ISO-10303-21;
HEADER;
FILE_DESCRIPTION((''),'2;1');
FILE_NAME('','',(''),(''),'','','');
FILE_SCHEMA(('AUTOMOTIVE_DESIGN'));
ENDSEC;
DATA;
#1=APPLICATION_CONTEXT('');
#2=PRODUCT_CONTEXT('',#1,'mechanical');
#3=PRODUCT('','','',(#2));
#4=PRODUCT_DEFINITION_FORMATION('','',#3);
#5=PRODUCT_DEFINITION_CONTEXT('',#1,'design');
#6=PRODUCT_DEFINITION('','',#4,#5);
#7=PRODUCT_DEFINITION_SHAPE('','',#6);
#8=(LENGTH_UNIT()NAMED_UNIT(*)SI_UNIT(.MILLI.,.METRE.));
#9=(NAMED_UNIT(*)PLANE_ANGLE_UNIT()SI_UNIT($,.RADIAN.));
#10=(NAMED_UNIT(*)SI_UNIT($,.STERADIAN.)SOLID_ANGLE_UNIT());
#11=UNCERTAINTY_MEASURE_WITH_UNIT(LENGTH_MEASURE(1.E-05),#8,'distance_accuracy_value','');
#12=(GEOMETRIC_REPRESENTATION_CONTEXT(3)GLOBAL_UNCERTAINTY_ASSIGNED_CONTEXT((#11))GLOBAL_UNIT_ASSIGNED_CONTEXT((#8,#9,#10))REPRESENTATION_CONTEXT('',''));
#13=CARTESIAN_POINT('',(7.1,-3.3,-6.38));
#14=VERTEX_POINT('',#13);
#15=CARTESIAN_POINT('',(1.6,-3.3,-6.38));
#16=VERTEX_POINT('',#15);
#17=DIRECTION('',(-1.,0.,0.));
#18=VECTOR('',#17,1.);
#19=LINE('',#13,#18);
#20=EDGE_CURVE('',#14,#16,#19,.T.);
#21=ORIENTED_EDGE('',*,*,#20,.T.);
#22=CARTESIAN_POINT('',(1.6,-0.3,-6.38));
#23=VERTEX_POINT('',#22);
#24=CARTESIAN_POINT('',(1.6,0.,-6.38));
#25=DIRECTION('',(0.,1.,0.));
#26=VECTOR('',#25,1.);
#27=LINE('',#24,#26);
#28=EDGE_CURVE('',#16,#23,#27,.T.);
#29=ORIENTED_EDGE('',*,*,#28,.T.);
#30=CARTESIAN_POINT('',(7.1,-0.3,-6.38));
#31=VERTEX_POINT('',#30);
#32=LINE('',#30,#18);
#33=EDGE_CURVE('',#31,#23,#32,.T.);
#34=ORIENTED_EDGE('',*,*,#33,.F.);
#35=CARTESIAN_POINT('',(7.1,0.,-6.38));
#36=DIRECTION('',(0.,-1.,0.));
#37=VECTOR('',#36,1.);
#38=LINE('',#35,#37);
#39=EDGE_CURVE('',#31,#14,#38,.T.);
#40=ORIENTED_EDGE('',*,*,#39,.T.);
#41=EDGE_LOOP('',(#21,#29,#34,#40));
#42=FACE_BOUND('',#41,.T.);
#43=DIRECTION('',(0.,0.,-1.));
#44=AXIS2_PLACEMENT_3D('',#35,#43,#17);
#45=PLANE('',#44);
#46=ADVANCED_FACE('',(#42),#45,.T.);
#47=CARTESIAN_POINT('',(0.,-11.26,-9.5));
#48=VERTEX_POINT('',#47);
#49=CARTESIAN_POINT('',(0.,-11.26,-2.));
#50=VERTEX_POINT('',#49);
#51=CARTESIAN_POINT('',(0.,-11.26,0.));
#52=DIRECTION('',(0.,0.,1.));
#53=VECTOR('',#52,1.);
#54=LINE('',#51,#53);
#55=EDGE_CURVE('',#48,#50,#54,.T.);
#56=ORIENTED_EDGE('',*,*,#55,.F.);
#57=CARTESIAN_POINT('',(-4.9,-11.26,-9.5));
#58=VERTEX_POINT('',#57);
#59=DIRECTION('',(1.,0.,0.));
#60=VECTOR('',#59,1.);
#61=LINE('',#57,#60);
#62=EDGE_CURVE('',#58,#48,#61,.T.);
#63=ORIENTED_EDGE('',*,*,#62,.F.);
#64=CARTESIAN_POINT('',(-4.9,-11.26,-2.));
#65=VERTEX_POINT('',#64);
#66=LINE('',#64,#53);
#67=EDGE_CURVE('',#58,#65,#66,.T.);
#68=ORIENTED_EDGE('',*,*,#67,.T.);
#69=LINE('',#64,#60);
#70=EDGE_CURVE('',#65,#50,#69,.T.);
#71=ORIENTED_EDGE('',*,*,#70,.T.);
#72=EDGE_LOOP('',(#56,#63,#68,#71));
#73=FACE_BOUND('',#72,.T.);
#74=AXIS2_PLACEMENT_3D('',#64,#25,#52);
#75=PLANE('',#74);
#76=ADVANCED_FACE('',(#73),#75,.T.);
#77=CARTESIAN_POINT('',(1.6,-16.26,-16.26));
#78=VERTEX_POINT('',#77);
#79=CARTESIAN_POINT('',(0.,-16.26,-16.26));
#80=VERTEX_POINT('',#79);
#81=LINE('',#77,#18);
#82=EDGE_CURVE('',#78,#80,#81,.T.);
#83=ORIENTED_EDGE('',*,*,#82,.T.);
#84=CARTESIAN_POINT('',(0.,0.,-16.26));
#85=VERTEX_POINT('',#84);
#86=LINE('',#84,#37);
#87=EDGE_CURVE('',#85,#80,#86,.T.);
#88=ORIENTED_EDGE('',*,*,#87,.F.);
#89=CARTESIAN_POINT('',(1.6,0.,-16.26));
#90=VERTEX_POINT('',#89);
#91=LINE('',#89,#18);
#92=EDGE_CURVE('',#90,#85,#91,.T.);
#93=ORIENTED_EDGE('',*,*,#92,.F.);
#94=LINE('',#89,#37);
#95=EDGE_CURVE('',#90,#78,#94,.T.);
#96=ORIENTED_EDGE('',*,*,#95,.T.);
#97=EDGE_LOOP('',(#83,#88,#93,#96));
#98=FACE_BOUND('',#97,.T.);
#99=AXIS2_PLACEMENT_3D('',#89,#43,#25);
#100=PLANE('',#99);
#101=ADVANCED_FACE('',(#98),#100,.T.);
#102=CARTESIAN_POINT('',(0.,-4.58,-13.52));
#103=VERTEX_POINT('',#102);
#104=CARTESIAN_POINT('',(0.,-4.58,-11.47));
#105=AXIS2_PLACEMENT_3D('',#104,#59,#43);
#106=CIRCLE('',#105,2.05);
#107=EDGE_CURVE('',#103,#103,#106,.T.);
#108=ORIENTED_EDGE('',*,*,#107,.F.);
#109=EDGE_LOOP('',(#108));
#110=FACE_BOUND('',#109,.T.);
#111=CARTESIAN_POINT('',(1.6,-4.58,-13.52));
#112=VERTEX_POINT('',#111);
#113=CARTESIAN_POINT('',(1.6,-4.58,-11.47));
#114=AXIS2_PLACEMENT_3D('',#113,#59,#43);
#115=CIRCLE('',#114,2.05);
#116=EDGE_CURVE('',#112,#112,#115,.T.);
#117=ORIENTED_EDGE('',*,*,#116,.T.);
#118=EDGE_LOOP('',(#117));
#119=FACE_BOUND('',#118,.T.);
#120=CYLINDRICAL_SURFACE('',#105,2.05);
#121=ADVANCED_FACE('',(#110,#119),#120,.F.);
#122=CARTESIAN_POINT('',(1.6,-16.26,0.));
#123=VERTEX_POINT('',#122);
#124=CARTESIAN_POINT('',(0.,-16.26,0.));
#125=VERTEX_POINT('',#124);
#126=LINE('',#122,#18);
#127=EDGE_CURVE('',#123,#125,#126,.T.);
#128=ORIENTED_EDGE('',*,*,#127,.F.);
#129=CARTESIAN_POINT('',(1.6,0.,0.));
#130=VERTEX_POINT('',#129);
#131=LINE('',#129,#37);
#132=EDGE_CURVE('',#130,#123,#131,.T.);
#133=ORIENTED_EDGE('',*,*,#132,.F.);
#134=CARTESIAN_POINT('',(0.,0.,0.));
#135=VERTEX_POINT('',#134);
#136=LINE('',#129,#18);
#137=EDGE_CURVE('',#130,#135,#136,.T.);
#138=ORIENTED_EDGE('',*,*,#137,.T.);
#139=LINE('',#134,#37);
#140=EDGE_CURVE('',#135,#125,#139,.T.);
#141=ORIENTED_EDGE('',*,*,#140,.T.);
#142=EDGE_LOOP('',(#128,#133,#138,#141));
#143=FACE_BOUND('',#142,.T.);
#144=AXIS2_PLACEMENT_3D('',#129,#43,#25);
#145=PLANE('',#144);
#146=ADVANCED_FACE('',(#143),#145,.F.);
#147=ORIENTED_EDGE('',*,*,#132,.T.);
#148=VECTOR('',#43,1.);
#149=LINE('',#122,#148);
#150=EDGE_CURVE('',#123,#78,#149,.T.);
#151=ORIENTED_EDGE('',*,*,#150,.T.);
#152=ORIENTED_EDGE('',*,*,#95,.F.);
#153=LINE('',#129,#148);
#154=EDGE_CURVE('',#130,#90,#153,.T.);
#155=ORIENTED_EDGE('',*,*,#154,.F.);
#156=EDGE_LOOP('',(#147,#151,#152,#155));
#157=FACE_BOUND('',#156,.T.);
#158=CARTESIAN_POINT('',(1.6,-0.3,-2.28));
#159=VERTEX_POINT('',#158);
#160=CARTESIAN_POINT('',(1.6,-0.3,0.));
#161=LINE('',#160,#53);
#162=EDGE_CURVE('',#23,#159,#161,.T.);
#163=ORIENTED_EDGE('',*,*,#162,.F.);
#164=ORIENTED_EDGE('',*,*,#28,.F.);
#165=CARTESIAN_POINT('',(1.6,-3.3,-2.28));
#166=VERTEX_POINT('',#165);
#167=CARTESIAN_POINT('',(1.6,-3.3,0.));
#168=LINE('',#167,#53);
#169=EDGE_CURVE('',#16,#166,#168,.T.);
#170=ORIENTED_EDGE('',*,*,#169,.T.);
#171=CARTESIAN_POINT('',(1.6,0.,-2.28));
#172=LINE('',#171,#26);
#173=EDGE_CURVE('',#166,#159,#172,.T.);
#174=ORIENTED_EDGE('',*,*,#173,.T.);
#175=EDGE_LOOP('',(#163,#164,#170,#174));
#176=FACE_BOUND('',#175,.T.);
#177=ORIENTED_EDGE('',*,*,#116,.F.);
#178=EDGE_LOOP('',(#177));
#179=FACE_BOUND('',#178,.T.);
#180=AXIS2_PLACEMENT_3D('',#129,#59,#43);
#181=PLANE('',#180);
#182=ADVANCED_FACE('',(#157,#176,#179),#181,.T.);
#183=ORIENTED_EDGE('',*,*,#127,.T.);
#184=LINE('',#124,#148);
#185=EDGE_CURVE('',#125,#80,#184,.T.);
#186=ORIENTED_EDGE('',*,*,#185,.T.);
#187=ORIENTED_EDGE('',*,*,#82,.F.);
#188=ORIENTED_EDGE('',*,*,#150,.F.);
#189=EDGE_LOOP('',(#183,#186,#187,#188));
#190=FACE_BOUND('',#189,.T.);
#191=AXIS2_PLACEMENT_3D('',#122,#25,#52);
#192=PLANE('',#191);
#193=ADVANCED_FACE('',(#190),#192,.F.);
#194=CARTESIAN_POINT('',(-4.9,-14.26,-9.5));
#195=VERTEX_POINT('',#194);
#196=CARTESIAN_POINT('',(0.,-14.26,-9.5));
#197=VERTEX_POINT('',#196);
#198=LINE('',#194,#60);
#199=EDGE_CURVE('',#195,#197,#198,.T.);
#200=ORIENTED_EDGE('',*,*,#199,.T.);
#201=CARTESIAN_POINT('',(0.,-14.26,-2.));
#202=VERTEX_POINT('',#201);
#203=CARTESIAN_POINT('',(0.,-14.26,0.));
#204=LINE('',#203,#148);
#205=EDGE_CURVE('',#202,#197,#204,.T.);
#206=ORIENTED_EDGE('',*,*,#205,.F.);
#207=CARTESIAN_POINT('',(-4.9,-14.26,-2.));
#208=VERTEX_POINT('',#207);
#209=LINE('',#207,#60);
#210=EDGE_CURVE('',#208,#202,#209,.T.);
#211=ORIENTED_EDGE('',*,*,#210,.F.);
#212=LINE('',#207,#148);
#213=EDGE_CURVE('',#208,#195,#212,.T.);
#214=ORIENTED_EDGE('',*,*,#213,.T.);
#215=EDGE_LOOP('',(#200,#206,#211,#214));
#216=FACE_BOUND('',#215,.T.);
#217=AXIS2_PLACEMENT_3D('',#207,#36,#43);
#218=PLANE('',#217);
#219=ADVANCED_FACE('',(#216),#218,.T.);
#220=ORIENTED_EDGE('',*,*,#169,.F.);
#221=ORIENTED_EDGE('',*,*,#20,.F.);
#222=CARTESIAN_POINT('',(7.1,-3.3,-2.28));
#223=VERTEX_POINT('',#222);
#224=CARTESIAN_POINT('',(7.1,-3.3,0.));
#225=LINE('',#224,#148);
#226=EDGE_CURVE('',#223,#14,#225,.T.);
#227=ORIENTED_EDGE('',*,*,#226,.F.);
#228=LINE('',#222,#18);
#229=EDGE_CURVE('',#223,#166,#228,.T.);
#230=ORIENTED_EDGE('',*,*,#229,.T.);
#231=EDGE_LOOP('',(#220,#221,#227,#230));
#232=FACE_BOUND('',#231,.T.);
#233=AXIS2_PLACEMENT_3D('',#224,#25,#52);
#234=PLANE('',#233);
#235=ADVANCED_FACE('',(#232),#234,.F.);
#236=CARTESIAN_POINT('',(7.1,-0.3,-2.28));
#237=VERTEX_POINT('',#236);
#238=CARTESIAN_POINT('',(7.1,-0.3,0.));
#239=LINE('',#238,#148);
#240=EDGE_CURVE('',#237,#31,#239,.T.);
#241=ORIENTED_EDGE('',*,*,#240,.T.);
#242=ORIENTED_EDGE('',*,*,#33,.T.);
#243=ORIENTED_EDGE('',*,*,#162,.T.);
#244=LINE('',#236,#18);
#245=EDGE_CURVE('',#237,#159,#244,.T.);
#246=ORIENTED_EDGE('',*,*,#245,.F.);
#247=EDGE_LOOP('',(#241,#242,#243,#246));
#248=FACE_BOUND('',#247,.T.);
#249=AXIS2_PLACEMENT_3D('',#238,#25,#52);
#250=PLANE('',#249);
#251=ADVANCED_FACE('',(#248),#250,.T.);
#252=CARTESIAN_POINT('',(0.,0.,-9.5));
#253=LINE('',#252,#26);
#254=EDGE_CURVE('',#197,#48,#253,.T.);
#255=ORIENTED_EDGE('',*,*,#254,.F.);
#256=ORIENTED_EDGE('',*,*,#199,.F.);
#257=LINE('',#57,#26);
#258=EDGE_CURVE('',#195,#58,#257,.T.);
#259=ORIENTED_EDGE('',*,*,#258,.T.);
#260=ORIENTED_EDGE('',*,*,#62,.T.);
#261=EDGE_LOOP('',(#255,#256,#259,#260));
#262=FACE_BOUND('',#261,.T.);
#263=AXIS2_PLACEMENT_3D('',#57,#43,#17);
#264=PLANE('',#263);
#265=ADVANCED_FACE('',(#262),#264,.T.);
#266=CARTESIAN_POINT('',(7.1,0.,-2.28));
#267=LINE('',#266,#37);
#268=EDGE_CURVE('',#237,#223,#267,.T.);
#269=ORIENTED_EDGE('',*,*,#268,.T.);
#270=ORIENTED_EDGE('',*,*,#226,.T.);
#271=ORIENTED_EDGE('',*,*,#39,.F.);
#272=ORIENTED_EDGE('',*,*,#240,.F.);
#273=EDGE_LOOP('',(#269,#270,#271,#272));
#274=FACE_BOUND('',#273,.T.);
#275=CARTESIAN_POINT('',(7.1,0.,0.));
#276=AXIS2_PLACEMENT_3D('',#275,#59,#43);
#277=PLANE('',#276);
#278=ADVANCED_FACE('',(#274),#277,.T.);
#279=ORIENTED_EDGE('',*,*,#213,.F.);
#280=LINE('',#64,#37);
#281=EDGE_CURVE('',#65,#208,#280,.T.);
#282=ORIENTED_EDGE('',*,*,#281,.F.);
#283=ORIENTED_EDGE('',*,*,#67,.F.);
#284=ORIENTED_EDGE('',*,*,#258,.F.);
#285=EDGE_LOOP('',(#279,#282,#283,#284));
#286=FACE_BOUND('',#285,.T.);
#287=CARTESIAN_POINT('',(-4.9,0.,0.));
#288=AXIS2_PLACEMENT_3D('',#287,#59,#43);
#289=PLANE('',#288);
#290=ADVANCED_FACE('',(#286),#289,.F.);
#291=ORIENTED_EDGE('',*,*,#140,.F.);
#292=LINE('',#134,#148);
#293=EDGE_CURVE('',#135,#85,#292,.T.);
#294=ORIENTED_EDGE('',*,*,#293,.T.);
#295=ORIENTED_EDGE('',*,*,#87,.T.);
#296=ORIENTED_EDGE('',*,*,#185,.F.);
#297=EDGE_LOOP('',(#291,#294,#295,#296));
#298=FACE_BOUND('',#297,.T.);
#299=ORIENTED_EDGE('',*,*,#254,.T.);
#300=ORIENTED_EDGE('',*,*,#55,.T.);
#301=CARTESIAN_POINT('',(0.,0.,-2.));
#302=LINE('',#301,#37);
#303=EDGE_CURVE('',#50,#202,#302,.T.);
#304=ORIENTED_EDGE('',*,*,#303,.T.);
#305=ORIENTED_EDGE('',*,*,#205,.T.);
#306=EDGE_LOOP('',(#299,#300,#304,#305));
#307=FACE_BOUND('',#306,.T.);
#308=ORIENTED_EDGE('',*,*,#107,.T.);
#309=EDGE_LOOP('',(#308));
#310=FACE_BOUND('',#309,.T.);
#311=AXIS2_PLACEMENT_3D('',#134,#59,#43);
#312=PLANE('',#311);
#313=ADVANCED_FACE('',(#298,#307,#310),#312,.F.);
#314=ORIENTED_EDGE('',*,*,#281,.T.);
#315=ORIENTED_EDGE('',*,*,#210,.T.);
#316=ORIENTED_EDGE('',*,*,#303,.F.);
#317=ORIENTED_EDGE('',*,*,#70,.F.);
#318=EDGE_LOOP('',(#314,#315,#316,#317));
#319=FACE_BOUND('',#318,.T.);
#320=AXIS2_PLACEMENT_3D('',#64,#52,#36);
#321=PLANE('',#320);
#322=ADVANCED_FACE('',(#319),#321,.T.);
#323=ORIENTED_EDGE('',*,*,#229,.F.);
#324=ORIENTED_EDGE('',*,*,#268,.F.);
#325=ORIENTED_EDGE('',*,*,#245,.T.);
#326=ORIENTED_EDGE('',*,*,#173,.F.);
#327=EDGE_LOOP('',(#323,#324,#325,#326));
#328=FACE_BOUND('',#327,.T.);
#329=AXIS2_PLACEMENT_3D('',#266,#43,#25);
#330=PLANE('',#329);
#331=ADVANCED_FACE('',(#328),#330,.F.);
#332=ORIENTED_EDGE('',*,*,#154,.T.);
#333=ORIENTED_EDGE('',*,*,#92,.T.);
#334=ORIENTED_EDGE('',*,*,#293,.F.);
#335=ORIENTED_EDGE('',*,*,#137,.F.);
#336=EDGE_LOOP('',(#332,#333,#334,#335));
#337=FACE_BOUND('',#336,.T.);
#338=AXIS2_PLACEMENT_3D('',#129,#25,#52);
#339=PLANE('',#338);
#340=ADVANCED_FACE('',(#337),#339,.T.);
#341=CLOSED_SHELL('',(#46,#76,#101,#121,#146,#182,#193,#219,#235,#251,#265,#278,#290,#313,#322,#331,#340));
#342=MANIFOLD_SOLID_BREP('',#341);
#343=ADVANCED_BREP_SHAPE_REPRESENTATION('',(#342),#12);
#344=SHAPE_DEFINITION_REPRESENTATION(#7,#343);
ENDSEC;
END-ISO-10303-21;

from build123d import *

# Parameters (mm, degrees)
SKETCH1_W           = 16.26
SKETCH1_H           = 16.26
BOSS_EXTRUDE1_DEPTH = 1.6
SKETCH1_3_W         = 4.1
SKETCH1_3_H         = 3
BOSS_EXTRUDE2_DEPTH = 7.1
SKETCH2_R           = 2.05
CUT_EXTRUDE1_DEPTH  = 24.643713752
SKETCH3_W           = 7.5
SKETCH3_H           = 3
BOSS_EXTRUDE3_DEPTH = 6.5


with BuildPart() as part:
    # Sketch1 → Boss-Extrude1 (new body)
    with BuildSketch(Plane(origin=(0, 0, 0), x_dir=(0, 0, -1), z_dir=(1, 0, 0))):
        with Locations((8.13, -8.13)):
            Rectangle(SKETCH1_W, SKETCH1_H)
    extrude(amount=BOSS_EXTRUDE1_DEPTH)

    # Sketch1<3> → Boss-Extrude2 (add)
    with BuildSketch(Plane(origin=(0, 0, 0), x_dir=(0, 0, -1), z_dir=(1, 0, 0))):
        with Locations((4.33, -1.8)):
            Rectangle(SKETCH1_3_W, SKETCH1_3_H)
    extrude(amount=BOSS_EXTRUDE2_DEPTH)

    # Sketch2 → Cut-Extrude1 (cut, through all)
    with BuildSketch(Plane(origin=(1.6, 0, 0), x_dir=(0, 0, -1), z_dir=(1, 0, 0))):
        with Locations((11.47, -4.58)):
            Circle(SKETCH2_R)
    extrude(amount=-CUT_EXTRUDE1_DEPTH, mode=Mode.SUBTRACT)

    # Sketch3 → Boss-Extrude3 (add)
    with BuildSketch(Plane(origin=(1.6, 0, 0), x_dir=(0, 0, -1), z_dir=(1, 0, 0))):
        with Locations((5.75, -12.76)):
            Rectangle(SKETCH3_W, SKETCH3_H)
    extrude(amount=-BOSS_EXTRUDE3_DEPTH)


solid = part.part
